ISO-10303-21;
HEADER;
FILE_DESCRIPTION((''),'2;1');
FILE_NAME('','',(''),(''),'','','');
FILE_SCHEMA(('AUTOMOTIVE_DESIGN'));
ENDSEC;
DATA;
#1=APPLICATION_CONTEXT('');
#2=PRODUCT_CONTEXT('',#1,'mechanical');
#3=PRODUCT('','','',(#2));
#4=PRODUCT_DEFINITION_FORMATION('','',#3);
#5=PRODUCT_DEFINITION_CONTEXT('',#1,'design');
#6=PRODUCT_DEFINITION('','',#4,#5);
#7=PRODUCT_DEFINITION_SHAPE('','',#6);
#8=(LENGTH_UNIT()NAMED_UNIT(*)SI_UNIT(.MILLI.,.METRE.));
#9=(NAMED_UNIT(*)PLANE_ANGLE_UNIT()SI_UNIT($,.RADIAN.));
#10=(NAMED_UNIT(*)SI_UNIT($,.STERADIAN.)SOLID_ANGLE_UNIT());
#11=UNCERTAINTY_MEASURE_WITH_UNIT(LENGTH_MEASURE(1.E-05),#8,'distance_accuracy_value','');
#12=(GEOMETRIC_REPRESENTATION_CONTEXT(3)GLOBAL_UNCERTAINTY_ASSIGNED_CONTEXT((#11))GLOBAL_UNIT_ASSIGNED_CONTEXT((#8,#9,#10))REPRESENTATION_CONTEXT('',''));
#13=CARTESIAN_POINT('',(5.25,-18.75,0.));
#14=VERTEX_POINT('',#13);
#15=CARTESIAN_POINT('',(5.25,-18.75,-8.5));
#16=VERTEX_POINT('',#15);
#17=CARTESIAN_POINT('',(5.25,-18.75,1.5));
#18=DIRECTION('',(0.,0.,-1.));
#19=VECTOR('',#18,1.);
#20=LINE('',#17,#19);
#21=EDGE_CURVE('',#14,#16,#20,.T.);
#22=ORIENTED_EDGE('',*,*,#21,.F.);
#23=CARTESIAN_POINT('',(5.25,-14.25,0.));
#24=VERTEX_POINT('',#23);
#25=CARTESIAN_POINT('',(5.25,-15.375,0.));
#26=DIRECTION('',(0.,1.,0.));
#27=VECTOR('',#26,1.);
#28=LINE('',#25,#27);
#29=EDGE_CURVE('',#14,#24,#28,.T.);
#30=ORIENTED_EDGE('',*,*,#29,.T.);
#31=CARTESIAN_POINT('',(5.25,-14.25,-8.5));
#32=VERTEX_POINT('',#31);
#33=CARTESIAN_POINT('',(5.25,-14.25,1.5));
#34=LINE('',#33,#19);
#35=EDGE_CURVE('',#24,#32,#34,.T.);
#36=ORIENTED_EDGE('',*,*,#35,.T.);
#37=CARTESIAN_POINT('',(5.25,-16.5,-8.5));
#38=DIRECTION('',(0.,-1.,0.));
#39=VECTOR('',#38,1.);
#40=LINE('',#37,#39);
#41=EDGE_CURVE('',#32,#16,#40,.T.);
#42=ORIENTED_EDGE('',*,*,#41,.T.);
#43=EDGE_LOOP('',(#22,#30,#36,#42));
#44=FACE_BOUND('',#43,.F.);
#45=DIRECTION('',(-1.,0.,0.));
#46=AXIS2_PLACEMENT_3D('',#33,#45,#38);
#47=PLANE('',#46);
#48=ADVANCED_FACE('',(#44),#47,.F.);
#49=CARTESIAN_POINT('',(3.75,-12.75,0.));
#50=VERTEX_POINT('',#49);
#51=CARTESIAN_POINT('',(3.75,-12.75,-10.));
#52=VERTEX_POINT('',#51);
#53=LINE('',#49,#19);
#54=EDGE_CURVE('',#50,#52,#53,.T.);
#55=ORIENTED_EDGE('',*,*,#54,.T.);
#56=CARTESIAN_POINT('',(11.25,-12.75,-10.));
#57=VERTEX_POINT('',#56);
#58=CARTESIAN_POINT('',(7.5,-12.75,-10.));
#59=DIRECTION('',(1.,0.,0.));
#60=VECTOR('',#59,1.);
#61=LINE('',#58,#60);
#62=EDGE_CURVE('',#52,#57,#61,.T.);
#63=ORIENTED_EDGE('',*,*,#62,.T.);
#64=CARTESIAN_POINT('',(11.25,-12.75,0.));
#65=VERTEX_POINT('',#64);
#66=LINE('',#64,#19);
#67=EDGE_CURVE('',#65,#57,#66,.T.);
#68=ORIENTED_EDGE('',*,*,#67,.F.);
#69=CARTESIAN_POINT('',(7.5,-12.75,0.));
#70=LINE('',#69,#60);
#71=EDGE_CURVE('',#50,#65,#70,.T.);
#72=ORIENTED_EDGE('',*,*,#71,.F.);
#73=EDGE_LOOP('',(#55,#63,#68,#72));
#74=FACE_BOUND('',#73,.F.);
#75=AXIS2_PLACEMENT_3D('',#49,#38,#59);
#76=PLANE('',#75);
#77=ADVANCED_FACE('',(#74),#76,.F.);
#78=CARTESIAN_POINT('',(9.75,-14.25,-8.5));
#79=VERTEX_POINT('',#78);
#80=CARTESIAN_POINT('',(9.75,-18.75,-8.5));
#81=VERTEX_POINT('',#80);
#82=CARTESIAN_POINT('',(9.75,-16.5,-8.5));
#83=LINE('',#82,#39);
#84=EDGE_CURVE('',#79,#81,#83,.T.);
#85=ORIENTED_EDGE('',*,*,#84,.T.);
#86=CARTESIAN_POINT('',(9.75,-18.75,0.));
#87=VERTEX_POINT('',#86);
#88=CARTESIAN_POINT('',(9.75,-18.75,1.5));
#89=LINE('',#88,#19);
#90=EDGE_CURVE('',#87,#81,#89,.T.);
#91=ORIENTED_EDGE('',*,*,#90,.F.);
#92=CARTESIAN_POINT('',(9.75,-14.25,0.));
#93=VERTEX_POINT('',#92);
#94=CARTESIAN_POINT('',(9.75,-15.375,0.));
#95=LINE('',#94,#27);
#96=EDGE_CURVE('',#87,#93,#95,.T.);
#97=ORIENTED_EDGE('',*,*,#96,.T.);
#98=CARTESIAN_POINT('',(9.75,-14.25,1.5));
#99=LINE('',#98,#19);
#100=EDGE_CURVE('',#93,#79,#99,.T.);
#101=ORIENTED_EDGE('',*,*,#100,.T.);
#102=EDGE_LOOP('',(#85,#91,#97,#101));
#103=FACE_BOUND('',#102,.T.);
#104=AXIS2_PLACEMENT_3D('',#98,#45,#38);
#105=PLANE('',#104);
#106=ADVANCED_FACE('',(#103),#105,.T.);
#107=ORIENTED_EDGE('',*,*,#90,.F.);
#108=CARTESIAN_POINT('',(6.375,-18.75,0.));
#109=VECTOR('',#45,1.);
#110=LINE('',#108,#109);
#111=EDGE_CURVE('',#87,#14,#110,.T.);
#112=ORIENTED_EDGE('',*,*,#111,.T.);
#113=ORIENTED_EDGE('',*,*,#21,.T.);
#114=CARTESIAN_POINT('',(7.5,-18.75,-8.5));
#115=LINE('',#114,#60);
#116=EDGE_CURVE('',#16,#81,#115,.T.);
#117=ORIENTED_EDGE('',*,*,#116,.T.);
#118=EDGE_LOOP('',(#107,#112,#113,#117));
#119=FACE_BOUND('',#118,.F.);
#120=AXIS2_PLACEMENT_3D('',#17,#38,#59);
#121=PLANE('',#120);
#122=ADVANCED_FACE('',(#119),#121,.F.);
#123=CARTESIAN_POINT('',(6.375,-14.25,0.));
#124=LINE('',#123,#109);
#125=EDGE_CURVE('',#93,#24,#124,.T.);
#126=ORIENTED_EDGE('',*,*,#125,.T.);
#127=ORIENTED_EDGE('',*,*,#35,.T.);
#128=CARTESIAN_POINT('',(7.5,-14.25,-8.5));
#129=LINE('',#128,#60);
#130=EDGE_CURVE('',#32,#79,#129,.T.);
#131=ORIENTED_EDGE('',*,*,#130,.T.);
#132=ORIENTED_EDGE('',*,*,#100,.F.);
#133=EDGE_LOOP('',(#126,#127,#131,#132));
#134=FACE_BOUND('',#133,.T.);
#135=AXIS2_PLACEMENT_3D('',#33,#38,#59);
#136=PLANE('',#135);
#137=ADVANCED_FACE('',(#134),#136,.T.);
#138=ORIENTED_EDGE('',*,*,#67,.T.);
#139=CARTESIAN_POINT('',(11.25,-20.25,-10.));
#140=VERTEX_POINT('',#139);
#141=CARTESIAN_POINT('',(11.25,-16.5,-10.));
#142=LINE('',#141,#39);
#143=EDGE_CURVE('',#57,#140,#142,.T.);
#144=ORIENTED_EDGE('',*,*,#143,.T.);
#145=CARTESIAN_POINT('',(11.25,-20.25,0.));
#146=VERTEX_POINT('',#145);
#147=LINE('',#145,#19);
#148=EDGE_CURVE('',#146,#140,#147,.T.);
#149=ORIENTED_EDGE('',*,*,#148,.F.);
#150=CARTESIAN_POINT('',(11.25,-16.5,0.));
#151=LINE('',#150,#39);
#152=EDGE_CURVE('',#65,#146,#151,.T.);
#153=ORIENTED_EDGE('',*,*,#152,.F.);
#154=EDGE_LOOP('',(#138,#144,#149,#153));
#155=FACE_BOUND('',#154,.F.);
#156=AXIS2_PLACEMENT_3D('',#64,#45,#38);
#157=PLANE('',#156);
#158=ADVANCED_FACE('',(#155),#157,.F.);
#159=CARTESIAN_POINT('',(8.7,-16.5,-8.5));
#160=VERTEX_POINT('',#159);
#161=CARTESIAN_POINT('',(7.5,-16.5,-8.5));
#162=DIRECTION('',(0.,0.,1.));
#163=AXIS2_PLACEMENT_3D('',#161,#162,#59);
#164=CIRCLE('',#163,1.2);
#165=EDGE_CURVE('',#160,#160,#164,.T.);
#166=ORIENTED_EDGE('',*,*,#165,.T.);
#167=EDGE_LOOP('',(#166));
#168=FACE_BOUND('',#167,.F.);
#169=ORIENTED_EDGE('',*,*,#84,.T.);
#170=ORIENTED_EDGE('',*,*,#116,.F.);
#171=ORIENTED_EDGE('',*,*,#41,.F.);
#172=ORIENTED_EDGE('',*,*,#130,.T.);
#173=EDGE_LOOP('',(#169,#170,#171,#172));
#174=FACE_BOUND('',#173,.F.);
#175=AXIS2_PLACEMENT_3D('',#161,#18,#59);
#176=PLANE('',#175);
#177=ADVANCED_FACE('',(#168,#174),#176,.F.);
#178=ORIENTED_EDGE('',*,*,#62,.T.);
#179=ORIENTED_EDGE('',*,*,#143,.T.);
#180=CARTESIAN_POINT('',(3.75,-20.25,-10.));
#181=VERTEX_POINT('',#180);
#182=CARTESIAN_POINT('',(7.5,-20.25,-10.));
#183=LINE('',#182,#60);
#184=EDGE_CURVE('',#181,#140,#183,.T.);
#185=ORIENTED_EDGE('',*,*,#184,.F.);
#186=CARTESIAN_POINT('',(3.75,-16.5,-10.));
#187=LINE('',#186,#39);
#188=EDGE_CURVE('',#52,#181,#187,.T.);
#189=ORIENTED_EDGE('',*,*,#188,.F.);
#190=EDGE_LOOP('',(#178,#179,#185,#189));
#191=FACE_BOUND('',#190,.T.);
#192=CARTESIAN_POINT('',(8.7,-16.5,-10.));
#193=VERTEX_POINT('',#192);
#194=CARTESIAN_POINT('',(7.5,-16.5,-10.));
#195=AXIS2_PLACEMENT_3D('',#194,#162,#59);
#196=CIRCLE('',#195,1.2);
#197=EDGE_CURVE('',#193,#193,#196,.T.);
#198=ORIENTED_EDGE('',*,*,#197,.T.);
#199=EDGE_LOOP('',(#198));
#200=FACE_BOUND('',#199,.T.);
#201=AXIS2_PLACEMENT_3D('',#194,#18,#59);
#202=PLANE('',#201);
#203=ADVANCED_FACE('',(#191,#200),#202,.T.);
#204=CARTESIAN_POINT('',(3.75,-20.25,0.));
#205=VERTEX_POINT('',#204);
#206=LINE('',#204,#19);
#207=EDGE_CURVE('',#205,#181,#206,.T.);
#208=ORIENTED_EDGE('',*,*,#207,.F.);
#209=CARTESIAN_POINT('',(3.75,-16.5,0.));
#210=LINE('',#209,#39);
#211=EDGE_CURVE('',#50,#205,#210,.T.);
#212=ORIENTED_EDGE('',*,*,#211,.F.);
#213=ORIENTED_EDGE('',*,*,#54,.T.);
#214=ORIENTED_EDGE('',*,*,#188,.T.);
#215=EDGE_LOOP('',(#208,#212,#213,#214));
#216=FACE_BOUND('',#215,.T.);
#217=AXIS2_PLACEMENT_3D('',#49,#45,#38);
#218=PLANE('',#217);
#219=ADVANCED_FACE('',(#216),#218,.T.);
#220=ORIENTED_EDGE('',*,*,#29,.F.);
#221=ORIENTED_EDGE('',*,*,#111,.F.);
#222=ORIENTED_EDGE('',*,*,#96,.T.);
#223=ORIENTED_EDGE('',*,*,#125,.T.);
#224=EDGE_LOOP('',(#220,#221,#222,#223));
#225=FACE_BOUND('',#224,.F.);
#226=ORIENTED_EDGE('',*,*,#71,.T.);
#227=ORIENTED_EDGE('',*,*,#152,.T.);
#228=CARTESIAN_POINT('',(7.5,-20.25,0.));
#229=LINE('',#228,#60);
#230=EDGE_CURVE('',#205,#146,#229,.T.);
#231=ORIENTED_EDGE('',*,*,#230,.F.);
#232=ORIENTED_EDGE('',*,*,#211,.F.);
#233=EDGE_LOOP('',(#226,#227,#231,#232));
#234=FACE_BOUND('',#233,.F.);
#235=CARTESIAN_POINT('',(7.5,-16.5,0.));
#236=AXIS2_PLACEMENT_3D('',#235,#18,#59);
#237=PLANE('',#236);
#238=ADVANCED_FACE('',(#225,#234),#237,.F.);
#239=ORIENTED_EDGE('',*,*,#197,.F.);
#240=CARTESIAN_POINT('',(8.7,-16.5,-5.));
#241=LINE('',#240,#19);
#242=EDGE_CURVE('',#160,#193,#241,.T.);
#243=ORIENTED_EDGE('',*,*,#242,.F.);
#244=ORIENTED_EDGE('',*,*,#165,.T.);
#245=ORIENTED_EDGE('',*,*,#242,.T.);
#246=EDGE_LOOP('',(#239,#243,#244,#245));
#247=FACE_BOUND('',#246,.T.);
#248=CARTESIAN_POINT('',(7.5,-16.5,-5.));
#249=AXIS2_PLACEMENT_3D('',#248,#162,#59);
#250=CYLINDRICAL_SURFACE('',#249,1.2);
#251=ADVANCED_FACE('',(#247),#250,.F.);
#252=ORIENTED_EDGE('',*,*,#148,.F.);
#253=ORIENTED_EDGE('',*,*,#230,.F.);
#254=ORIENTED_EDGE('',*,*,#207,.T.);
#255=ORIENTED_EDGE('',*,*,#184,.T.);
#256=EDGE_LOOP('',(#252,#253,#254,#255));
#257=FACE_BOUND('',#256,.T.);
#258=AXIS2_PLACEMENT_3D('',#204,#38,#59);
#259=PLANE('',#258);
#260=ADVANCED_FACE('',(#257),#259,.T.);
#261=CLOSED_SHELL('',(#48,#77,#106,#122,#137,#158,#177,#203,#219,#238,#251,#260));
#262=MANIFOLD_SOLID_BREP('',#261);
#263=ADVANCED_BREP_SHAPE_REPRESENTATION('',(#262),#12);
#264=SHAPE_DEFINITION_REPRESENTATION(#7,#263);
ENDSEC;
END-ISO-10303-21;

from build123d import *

# Parameters (mm, degrees)
CYLINDER024_R          = 1.2
CYLINDER024_DEPTH      = 10
BOX029_W               = 4.5
BOX029_H               = 4.5
BOX029_DEPTH           = 10
BOX028_W               = 7.5
BOX028_H               = 7.5
BOX028_DEPTH           = 10
CUT037_PLACEMENT_ANGLE = 180


with BuildPart() as cylinder024:
    # Cylinder024 → Cylinder024 (new body)
    with BuildSketch(Plane(origin=(7.5, 16.5, 105), x_dir=(1, 0, 0), z_dir=(0, 0, 1))):
        Circle(CYLINDER024_R)
    extrude(amount=CYLINDER024_DEPTH)


with BuildPart() as cube029:
    # Box029 → Box029 (new body)
    with BuildSketch(Plane(origin=(5.25, 14.25, 98.5), x_dir=(1, 0, 0), z_dir=(0, 0, 1))):
        with Locations((2.25, 2.25)):
            Rectangle(BOX029_W, BOX029_H)
    extrude(amount=BOX029_DEPTH)


with BuildPart() as cut037:
    # Box028 → Box028 (new body)
    with BuildSketch(Plane(origin=(3.75, 12.75, 100), x_dir=(1, 0, 0), z_dir=(0, 0, 1))):
        with Locations((3.75, 3.75)):
            Rectangle(BOX028_W, BOX028_H)
    extrude(amount=BOX028_DEPTH)

    # Cut038: cut Cube029
    add(cube029.part, mode=Mode.SUBTRACT)

    # Cut037: cut Cylinder024
    add(cylinder024.part, mode=Mode.SUBTRACT)


with BuildPart() as cut037_1:
    # Cut037 placement: moved
    add(cut037.part.moved(Location((0, 0, 100))).rotate(Axis((0, 0, 100), (1, 0, 0)), CUT037_PLACEMENT_ANGLE))


solid = cut037_1.part
